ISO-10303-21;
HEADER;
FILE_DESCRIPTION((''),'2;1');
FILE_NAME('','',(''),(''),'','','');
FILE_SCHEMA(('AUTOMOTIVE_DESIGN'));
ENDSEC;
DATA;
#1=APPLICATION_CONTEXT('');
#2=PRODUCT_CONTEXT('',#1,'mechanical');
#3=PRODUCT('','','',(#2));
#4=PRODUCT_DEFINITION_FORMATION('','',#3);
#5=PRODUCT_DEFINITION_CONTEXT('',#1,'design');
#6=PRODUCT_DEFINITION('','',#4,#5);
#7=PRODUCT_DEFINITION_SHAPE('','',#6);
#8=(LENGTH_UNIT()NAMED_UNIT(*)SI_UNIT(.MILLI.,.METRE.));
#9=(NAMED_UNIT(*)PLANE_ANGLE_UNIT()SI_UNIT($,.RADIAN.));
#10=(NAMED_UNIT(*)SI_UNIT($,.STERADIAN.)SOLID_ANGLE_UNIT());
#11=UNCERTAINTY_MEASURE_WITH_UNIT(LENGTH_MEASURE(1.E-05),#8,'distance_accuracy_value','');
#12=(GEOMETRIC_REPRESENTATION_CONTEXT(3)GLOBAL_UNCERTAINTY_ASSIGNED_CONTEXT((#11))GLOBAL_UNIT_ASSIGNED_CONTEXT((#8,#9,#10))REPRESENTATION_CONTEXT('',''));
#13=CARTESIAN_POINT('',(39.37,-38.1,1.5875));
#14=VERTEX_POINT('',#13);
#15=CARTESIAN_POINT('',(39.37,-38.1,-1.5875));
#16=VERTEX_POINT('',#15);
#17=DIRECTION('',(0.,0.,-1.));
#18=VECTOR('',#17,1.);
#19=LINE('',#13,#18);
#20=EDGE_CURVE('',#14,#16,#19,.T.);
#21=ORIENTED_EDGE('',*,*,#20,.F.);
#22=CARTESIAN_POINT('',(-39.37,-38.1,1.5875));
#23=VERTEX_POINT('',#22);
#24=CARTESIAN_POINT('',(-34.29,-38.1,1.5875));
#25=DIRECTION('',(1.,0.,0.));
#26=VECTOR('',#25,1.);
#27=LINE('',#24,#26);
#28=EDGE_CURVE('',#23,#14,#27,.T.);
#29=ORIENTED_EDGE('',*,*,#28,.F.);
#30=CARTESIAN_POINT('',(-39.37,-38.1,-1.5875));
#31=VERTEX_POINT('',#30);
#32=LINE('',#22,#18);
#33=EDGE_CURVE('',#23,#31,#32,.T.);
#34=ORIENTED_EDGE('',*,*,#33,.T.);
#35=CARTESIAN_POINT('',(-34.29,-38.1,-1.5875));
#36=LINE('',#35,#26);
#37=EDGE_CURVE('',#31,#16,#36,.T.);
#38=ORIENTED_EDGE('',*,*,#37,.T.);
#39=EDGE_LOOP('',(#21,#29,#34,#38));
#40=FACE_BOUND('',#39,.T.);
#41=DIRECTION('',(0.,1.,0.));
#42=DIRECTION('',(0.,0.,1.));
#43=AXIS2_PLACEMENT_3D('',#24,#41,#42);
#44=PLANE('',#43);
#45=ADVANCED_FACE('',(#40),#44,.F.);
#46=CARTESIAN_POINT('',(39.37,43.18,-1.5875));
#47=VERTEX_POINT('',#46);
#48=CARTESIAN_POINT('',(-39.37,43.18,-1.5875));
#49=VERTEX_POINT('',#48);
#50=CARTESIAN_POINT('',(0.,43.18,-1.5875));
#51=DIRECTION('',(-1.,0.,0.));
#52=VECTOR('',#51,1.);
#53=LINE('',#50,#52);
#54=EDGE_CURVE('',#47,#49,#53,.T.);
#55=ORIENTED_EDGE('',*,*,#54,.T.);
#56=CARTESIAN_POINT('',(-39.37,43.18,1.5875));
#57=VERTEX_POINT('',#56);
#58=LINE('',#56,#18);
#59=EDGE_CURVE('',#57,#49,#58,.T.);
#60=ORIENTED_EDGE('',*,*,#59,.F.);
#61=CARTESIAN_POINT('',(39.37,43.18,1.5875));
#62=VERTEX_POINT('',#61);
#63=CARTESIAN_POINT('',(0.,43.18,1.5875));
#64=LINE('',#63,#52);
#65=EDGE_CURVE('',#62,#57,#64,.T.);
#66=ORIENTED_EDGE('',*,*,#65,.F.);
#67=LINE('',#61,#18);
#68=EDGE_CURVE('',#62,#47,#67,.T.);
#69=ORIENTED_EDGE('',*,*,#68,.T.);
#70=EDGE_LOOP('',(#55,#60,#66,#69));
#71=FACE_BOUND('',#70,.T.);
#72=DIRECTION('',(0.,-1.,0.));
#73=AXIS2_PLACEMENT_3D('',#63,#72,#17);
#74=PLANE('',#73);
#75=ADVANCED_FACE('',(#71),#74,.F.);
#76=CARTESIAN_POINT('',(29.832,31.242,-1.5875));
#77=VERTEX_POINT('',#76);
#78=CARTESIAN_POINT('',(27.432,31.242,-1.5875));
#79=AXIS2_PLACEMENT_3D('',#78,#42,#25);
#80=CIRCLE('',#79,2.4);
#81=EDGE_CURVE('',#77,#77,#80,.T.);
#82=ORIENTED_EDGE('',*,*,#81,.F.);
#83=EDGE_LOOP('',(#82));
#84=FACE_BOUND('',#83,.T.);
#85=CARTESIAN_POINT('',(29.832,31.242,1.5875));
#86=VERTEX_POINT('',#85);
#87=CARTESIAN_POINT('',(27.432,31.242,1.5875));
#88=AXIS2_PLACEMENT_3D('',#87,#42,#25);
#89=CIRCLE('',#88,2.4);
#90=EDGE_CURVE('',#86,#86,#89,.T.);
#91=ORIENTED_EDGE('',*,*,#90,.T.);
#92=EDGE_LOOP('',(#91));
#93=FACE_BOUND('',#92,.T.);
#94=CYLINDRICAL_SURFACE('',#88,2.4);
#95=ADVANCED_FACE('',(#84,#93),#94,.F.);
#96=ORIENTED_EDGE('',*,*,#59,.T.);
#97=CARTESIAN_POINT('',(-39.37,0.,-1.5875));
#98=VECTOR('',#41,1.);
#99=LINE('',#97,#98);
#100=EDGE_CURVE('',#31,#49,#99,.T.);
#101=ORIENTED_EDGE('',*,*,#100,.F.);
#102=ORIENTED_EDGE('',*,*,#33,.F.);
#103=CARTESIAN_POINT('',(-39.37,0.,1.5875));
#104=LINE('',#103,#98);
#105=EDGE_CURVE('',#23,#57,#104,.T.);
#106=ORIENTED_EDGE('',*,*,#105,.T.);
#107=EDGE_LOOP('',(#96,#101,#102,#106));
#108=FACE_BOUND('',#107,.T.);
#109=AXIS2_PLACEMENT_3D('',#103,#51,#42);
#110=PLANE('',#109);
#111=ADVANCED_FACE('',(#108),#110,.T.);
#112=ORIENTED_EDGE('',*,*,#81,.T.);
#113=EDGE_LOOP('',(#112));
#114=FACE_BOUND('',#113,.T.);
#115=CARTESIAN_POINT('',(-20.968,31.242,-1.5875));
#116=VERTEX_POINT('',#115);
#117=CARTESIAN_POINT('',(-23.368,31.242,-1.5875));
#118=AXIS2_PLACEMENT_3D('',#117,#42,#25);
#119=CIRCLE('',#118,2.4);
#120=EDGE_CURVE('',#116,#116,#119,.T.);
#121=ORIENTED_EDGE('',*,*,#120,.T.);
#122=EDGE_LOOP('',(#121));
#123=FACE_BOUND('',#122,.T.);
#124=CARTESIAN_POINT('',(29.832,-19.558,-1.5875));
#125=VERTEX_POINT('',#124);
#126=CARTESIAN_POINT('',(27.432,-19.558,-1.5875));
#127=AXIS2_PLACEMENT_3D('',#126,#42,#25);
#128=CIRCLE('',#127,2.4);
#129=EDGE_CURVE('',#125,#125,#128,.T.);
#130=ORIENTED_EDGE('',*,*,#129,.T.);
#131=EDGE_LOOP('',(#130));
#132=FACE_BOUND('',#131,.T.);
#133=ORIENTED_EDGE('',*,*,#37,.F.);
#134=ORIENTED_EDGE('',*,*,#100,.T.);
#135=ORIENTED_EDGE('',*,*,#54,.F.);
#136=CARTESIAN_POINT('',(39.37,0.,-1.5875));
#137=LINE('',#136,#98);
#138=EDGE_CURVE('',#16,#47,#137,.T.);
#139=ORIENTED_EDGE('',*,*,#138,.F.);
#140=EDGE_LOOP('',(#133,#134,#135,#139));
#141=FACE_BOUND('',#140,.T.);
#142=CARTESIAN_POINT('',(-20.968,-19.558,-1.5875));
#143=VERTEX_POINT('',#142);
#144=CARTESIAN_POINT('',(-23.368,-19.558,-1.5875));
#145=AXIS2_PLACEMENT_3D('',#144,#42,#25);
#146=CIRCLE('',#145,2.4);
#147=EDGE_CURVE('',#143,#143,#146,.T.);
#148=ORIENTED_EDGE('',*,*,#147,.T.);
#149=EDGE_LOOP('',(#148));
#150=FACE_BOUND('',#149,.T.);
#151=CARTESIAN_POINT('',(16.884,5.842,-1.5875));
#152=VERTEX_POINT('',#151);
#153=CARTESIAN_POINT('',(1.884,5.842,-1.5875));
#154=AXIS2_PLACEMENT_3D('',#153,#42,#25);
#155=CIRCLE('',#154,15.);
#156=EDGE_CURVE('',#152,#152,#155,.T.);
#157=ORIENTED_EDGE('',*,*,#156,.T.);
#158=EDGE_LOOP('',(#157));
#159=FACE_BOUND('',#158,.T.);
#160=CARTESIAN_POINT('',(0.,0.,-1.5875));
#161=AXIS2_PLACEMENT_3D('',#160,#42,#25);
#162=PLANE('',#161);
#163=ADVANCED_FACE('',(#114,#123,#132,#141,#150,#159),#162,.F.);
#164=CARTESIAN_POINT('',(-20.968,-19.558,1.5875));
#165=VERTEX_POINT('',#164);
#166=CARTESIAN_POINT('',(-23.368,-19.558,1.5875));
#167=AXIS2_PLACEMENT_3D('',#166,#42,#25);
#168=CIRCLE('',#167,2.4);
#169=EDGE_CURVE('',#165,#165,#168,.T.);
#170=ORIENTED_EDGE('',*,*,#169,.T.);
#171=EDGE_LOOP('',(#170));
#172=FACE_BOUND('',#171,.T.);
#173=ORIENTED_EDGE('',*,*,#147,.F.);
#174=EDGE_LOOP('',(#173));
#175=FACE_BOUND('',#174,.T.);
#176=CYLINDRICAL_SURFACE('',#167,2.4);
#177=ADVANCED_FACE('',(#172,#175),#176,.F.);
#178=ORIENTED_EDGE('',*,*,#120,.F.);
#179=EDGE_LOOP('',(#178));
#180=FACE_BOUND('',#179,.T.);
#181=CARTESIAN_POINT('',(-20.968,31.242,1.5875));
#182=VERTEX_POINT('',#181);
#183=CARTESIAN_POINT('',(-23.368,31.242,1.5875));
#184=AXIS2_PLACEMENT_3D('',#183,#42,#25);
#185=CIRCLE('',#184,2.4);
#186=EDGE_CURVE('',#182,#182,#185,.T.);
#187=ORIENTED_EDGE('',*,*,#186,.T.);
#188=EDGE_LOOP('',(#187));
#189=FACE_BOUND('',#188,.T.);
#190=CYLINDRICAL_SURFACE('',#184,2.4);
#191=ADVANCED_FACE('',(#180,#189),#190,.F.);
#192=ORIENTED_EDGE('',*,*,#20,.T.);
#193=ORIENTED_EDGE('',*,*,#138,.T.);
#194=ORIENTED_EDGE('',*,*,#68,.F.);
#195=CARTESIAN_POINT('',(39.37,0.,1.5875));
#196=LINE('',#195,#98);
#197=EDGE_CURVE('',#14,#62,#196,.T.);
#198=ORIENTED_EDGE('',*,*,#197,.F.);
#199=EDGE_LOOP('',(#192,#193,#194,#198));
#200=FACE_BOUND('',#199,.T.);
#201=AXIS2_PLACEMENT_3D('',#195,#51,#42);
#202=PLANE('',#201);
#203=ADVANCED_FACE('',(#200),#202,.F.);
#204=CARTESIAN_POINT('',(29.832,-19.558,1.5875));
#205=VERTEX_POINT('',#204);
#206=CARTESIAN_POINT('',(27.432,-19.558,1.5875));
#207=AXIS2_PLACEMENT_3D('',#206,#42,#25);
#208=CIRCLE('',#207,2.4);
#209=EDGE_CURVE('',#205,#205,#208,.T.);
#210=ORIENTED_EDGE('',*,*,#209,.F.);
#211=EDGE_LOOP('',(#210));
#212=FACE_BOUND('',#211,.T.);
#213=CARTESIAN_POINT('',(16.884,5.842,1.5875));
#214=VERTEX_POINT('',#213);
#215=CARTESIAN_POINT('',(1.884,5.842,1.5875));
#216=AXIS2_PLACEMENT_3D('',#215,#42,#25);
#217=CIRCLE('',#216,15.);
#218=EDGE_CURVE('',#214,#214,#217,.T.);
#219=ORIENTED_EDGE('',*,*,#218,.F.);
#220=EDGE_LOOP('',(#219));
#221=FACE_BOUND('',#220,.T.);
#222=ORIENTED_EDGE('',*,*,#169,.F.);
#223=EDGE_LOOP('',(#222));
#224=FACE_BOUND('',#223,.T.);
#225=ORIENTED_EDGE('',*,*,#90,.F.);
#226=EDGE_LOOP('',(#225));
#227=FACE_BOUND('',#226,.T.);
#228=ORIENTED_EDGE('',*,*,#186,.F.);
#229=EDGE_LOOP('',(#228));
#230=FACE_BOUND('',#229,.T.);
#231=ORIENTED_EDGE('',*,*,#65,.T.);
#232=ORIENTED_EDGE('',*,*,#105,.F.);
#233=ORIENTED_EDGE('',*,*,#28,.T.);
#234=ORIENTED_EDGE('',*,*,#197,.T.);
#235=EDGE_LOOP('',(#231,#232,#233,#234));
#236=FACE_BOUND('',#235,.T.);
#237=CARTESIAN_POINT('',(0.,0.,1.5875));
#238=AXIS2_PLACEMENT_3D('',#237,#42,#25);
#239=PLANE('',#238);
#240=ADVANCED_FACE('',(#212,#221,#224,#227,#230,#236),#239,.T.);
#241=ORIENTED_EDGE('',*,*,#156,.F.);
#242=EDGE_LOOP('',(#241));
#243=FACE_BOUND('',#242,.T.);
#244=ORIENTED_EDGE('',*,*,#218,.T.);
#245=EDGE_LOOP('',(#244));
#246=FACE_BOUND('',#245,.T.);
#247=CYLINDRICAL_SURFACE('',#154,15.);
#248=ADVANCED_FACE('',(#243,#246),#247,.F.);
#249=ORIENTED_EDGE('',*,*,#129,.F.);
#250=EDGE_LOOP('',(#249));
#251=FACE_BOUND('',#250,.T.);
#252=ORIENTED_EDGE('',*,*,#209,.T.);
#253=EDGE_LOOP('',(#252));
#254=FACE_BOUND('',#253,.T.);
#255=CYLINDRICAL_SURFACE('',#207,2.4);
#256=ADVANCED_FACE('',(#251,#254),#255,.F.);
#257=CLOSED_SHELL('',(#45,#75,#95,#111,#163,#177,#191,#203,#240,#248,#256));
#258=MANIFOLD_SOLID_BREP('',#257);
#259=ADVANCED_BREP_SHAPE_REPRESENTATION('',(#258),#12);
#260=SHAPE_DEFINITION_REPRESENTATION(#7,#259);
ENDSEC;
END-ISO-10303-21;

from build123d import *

# Parameters (mm, degrees)
SKETCH2_W            = 68.58
SKETCH2_H            = 76.2
BOSS_EXTRUDE1_DEPTH  = 1.5875
M4_CLEARANCE_HOLE1_D = 4.8
SKETCH5_R            = 15
CUT_EXTRUDE1_DEPTH   = 52.356545104
BOSS_EXTRUDE2_DEPTH  = 3.175


with BuildPart() as part:
    # Sketch2 → Boss-Extrude1 (new, symmetric)
    with BuildSketch(Plane.XY):
        Rectangle(SKETCH2_W, SKETCH2_H)
    extrude(amount=BOSS_EXTRUDE1_DEPTH, both=True)

    # M4 Clearance Hole1 (through all)
    with Locations(Plane.XY.offset(1.5875)):
        with Locations((-23.368, -19.558), (-23.368, 31.242), (27.432, 31.242), (27.432, -19.558)):
            Hole(M4_CLEARANCE_HOLE1_D / 2)

    # Sketch5 → Cut-Extrude1 (cut, through all)
    with BuildSketch(Plane.XY.offset(1.5875)):
        with Locations((1.884, 5.842)):
            Circle(SKETCH5_R)
    extrude(amount=-CUT_EXTRUDE1_DEPTH, mode=Mode.SUBTRACT)

    # Sketch6 → Boss-Extrude2 (add, through all)
    with BuildSketch(Plane(origin=(0, 0, -1.5875), x_dir=(-1, 0, 0), z_dir=(0, 0, -1))):
        Polygon((-39.37, 43.18), (-39.37, -38.1), (-34.29, -38.1), (-34.29, 38.1), (34.29, 38.1), (34.29, -38.1), (39.37, -38.1), (39.37, 43.18), align=None)
    extrude(amount=-BOSS_EXTRUDE2_DEPTH)


solid = part.part
